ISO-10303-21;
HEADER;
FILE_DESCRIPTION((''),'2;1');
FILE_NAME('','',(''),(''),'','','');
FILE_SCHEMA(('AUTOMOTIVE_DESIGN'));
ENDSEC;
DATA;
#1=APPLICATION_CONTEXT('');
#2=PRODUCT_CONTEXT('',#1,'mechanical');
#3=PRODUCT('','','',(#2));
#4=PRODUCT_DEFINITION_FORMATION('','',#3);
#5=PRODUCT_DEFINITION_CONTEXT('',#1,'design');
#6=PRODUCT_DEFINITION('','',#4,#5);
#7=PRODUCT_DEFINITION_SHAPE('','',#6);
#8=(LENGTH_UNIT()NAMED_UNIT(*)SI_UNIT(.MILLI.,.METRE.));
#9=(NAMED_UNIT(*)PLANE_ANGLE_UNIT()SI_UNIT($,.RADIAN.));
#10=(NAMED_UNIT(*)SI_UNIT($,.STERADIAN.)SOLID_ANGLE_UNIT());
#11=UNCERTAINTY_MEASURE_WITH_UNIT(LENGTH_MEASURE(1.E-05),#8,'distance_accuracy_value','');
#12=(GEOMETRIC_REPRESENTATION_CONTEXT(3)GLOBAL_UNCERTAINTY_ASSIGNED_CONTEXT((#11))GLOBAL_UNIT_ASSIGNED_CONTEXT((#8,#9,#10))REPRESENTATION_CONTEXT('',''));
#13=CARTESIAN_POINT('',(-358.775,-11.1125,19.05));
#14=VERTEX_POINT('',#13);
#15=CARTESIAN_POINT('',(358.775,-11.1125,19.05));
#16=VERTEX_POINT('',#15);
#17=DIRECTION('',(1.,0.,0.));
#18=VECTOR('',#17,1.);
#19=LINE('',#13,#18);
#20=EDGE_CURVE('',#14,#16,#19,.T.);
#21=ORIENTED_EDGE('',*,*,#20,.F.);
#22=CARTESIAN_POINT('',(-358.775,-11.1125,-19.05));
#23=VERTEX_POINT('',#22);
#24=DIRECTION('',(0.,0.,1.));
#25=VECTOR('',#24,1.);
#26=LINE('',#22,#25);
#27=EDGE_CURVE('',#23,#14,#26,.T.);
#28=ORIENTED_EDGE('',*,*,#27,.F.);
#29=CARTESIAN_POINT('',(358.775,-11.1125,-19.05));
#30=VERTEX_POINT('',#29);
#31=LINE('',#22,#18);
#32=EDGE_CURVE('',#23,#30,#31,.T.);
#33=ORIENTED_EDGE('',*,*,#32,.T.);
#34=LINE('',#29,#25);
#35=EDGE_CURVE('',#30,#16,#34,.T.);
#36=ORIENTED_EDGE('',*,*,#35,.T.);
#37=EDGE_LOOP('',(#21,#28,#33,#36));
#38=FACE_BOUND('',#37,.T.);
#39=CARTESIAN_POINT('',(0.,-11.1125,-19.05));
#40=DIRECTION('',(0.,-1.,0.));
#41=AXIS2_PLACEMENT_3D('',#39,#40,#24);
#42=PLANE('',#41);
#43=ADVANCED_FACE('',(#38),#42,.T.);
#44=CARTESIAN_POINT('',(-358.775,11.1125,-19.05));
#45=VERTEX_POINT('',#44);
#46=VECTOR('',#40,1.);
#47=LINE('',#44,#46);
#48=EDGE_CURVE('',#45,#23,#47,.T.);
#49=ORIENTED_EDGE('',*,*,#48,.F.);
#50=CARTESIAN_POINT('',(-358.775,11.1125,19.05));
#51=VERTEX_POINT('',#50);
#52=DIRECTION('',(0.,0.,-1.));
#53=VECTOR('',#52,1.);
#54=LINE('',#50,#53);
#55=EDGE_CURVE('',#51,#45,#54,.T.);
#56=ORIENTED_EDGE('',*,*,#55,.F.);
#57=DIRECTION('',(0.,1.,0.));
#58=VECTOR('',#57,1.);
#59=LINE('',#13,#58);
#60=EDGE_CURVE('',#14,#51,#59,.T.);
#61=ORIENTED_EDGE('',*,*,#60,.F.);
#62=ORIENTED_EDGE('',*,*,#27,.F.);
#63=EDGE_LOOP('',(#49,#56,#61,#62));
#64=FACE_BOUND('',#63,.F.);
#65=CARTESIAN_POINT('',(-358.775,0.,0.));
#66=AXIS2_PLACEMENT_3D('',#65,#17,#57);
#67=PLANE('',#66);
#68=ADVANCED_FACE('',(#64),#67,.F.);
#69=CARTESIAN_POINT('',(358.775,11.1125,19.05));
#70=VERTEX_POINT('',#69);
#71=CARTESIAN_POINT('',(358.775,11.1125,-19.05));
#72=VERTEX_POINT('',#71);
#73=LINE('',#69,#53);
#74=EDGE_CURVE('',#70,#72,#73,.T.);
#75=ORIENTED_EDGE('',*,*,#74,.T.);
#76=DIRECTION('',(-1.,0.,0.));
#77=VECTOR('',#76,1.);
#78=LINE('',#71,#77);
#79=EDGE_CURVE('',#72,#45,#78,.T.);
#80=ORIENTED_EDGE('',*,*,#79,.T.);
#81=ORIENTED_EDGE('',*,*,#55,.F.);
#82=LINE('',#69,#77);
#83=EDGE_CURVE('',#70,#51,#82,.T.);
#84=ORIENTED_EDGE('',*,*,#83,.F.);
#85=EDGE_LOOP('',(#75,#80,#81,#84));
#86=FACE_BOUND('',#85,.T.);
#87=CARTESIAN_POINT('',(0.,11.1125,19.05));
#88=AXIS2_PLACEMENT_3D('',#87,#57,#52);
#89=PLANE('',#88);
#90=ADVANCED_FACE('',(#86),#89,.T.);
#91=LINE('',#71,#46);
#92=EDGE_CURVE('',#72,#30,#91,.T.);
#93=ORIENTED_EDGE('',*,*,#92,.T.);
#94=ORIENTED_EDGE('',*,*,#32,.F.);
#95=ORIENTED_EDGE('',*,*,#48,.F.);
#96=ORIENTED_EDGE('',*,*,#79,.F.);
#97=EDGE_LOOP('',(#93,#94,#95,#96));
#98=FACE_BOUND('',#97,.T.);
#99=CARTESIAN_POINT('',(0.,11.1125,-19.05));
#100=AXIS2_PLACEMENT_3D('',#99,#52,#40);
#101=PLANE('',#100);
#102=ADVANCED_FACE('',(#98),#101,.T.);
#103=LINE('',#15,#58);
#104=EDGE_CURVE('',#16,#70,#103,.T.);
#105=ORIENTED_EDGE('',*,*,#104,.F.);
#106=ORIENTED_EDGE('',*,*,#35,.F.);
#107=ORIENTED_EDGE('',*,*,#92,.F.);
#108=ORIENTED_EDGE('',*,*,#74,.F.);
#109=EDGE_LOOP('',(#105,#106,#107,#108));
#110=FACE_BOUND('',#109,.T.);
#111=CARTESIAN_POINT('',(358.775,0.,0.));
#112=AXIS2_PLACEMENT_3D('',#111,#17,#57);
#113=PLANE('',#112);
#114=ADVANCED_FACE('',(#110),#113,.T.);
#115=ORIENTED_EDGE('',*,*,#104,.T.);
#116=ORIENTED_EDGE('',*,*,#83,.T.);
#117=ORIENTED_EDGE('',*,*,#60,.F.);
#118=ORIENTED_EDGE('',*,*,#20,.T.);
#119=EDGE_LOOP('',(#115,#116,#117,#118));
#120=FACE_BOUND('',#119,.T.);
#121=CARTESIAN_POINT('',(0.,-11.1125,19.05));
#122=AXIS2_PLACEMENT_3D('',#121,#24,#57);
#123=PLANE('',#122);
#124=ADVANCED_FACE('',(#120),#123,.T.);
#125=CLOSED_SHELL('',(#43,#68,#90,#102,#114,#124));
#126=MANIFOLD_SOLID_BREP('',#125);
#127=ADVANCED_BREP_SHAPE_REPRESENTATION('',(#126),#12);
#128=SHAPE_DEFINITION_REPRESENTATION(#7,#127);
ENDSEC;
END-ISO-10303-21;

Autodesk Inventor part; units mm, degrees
ref_plane "YZ Plane" through (0, 0, 0) normal (1, 0, 0) x (0, 1, 0)
ref_plane "XZ Plane" through (0, 0, 0) normal (0, 1, 0) x (-1, 0, 0)
ref_plane "XY Plane" through (0, 0, 0) normal (0, 0, 1) x (1, 0, 0)
sketch "Sketch1" plane through (0, 0, 0) normal (1, 0, 0) x (0, 1, 0)
  line L0 (-11.1125, 19.05) -> (11.1125, 19.05)
  line L1 (11.1125, 19.05) -> (11.1125, -19.05)
  line L2 (11.1125, -19.05) -> (-11.1125, -19.05)
  line L3 (-11.1125, -19.05) -> (-11.1125, 19.05)
  line L4 (-11.1125, 19.05) -> (11.1125, -19.05) construction
  line L5 (11.1125, 19.05) -> (-11.1125, -19.05) construction
  point P0 (0, 0)
  dimension "d0" = 38.1
  dimension "d1" = 22.225
extrude "Extrusion1" add sketch "Sketch1" along normal mid plane 717.55
properties part number "Suspension Brace" material "Wood (Birch)"
